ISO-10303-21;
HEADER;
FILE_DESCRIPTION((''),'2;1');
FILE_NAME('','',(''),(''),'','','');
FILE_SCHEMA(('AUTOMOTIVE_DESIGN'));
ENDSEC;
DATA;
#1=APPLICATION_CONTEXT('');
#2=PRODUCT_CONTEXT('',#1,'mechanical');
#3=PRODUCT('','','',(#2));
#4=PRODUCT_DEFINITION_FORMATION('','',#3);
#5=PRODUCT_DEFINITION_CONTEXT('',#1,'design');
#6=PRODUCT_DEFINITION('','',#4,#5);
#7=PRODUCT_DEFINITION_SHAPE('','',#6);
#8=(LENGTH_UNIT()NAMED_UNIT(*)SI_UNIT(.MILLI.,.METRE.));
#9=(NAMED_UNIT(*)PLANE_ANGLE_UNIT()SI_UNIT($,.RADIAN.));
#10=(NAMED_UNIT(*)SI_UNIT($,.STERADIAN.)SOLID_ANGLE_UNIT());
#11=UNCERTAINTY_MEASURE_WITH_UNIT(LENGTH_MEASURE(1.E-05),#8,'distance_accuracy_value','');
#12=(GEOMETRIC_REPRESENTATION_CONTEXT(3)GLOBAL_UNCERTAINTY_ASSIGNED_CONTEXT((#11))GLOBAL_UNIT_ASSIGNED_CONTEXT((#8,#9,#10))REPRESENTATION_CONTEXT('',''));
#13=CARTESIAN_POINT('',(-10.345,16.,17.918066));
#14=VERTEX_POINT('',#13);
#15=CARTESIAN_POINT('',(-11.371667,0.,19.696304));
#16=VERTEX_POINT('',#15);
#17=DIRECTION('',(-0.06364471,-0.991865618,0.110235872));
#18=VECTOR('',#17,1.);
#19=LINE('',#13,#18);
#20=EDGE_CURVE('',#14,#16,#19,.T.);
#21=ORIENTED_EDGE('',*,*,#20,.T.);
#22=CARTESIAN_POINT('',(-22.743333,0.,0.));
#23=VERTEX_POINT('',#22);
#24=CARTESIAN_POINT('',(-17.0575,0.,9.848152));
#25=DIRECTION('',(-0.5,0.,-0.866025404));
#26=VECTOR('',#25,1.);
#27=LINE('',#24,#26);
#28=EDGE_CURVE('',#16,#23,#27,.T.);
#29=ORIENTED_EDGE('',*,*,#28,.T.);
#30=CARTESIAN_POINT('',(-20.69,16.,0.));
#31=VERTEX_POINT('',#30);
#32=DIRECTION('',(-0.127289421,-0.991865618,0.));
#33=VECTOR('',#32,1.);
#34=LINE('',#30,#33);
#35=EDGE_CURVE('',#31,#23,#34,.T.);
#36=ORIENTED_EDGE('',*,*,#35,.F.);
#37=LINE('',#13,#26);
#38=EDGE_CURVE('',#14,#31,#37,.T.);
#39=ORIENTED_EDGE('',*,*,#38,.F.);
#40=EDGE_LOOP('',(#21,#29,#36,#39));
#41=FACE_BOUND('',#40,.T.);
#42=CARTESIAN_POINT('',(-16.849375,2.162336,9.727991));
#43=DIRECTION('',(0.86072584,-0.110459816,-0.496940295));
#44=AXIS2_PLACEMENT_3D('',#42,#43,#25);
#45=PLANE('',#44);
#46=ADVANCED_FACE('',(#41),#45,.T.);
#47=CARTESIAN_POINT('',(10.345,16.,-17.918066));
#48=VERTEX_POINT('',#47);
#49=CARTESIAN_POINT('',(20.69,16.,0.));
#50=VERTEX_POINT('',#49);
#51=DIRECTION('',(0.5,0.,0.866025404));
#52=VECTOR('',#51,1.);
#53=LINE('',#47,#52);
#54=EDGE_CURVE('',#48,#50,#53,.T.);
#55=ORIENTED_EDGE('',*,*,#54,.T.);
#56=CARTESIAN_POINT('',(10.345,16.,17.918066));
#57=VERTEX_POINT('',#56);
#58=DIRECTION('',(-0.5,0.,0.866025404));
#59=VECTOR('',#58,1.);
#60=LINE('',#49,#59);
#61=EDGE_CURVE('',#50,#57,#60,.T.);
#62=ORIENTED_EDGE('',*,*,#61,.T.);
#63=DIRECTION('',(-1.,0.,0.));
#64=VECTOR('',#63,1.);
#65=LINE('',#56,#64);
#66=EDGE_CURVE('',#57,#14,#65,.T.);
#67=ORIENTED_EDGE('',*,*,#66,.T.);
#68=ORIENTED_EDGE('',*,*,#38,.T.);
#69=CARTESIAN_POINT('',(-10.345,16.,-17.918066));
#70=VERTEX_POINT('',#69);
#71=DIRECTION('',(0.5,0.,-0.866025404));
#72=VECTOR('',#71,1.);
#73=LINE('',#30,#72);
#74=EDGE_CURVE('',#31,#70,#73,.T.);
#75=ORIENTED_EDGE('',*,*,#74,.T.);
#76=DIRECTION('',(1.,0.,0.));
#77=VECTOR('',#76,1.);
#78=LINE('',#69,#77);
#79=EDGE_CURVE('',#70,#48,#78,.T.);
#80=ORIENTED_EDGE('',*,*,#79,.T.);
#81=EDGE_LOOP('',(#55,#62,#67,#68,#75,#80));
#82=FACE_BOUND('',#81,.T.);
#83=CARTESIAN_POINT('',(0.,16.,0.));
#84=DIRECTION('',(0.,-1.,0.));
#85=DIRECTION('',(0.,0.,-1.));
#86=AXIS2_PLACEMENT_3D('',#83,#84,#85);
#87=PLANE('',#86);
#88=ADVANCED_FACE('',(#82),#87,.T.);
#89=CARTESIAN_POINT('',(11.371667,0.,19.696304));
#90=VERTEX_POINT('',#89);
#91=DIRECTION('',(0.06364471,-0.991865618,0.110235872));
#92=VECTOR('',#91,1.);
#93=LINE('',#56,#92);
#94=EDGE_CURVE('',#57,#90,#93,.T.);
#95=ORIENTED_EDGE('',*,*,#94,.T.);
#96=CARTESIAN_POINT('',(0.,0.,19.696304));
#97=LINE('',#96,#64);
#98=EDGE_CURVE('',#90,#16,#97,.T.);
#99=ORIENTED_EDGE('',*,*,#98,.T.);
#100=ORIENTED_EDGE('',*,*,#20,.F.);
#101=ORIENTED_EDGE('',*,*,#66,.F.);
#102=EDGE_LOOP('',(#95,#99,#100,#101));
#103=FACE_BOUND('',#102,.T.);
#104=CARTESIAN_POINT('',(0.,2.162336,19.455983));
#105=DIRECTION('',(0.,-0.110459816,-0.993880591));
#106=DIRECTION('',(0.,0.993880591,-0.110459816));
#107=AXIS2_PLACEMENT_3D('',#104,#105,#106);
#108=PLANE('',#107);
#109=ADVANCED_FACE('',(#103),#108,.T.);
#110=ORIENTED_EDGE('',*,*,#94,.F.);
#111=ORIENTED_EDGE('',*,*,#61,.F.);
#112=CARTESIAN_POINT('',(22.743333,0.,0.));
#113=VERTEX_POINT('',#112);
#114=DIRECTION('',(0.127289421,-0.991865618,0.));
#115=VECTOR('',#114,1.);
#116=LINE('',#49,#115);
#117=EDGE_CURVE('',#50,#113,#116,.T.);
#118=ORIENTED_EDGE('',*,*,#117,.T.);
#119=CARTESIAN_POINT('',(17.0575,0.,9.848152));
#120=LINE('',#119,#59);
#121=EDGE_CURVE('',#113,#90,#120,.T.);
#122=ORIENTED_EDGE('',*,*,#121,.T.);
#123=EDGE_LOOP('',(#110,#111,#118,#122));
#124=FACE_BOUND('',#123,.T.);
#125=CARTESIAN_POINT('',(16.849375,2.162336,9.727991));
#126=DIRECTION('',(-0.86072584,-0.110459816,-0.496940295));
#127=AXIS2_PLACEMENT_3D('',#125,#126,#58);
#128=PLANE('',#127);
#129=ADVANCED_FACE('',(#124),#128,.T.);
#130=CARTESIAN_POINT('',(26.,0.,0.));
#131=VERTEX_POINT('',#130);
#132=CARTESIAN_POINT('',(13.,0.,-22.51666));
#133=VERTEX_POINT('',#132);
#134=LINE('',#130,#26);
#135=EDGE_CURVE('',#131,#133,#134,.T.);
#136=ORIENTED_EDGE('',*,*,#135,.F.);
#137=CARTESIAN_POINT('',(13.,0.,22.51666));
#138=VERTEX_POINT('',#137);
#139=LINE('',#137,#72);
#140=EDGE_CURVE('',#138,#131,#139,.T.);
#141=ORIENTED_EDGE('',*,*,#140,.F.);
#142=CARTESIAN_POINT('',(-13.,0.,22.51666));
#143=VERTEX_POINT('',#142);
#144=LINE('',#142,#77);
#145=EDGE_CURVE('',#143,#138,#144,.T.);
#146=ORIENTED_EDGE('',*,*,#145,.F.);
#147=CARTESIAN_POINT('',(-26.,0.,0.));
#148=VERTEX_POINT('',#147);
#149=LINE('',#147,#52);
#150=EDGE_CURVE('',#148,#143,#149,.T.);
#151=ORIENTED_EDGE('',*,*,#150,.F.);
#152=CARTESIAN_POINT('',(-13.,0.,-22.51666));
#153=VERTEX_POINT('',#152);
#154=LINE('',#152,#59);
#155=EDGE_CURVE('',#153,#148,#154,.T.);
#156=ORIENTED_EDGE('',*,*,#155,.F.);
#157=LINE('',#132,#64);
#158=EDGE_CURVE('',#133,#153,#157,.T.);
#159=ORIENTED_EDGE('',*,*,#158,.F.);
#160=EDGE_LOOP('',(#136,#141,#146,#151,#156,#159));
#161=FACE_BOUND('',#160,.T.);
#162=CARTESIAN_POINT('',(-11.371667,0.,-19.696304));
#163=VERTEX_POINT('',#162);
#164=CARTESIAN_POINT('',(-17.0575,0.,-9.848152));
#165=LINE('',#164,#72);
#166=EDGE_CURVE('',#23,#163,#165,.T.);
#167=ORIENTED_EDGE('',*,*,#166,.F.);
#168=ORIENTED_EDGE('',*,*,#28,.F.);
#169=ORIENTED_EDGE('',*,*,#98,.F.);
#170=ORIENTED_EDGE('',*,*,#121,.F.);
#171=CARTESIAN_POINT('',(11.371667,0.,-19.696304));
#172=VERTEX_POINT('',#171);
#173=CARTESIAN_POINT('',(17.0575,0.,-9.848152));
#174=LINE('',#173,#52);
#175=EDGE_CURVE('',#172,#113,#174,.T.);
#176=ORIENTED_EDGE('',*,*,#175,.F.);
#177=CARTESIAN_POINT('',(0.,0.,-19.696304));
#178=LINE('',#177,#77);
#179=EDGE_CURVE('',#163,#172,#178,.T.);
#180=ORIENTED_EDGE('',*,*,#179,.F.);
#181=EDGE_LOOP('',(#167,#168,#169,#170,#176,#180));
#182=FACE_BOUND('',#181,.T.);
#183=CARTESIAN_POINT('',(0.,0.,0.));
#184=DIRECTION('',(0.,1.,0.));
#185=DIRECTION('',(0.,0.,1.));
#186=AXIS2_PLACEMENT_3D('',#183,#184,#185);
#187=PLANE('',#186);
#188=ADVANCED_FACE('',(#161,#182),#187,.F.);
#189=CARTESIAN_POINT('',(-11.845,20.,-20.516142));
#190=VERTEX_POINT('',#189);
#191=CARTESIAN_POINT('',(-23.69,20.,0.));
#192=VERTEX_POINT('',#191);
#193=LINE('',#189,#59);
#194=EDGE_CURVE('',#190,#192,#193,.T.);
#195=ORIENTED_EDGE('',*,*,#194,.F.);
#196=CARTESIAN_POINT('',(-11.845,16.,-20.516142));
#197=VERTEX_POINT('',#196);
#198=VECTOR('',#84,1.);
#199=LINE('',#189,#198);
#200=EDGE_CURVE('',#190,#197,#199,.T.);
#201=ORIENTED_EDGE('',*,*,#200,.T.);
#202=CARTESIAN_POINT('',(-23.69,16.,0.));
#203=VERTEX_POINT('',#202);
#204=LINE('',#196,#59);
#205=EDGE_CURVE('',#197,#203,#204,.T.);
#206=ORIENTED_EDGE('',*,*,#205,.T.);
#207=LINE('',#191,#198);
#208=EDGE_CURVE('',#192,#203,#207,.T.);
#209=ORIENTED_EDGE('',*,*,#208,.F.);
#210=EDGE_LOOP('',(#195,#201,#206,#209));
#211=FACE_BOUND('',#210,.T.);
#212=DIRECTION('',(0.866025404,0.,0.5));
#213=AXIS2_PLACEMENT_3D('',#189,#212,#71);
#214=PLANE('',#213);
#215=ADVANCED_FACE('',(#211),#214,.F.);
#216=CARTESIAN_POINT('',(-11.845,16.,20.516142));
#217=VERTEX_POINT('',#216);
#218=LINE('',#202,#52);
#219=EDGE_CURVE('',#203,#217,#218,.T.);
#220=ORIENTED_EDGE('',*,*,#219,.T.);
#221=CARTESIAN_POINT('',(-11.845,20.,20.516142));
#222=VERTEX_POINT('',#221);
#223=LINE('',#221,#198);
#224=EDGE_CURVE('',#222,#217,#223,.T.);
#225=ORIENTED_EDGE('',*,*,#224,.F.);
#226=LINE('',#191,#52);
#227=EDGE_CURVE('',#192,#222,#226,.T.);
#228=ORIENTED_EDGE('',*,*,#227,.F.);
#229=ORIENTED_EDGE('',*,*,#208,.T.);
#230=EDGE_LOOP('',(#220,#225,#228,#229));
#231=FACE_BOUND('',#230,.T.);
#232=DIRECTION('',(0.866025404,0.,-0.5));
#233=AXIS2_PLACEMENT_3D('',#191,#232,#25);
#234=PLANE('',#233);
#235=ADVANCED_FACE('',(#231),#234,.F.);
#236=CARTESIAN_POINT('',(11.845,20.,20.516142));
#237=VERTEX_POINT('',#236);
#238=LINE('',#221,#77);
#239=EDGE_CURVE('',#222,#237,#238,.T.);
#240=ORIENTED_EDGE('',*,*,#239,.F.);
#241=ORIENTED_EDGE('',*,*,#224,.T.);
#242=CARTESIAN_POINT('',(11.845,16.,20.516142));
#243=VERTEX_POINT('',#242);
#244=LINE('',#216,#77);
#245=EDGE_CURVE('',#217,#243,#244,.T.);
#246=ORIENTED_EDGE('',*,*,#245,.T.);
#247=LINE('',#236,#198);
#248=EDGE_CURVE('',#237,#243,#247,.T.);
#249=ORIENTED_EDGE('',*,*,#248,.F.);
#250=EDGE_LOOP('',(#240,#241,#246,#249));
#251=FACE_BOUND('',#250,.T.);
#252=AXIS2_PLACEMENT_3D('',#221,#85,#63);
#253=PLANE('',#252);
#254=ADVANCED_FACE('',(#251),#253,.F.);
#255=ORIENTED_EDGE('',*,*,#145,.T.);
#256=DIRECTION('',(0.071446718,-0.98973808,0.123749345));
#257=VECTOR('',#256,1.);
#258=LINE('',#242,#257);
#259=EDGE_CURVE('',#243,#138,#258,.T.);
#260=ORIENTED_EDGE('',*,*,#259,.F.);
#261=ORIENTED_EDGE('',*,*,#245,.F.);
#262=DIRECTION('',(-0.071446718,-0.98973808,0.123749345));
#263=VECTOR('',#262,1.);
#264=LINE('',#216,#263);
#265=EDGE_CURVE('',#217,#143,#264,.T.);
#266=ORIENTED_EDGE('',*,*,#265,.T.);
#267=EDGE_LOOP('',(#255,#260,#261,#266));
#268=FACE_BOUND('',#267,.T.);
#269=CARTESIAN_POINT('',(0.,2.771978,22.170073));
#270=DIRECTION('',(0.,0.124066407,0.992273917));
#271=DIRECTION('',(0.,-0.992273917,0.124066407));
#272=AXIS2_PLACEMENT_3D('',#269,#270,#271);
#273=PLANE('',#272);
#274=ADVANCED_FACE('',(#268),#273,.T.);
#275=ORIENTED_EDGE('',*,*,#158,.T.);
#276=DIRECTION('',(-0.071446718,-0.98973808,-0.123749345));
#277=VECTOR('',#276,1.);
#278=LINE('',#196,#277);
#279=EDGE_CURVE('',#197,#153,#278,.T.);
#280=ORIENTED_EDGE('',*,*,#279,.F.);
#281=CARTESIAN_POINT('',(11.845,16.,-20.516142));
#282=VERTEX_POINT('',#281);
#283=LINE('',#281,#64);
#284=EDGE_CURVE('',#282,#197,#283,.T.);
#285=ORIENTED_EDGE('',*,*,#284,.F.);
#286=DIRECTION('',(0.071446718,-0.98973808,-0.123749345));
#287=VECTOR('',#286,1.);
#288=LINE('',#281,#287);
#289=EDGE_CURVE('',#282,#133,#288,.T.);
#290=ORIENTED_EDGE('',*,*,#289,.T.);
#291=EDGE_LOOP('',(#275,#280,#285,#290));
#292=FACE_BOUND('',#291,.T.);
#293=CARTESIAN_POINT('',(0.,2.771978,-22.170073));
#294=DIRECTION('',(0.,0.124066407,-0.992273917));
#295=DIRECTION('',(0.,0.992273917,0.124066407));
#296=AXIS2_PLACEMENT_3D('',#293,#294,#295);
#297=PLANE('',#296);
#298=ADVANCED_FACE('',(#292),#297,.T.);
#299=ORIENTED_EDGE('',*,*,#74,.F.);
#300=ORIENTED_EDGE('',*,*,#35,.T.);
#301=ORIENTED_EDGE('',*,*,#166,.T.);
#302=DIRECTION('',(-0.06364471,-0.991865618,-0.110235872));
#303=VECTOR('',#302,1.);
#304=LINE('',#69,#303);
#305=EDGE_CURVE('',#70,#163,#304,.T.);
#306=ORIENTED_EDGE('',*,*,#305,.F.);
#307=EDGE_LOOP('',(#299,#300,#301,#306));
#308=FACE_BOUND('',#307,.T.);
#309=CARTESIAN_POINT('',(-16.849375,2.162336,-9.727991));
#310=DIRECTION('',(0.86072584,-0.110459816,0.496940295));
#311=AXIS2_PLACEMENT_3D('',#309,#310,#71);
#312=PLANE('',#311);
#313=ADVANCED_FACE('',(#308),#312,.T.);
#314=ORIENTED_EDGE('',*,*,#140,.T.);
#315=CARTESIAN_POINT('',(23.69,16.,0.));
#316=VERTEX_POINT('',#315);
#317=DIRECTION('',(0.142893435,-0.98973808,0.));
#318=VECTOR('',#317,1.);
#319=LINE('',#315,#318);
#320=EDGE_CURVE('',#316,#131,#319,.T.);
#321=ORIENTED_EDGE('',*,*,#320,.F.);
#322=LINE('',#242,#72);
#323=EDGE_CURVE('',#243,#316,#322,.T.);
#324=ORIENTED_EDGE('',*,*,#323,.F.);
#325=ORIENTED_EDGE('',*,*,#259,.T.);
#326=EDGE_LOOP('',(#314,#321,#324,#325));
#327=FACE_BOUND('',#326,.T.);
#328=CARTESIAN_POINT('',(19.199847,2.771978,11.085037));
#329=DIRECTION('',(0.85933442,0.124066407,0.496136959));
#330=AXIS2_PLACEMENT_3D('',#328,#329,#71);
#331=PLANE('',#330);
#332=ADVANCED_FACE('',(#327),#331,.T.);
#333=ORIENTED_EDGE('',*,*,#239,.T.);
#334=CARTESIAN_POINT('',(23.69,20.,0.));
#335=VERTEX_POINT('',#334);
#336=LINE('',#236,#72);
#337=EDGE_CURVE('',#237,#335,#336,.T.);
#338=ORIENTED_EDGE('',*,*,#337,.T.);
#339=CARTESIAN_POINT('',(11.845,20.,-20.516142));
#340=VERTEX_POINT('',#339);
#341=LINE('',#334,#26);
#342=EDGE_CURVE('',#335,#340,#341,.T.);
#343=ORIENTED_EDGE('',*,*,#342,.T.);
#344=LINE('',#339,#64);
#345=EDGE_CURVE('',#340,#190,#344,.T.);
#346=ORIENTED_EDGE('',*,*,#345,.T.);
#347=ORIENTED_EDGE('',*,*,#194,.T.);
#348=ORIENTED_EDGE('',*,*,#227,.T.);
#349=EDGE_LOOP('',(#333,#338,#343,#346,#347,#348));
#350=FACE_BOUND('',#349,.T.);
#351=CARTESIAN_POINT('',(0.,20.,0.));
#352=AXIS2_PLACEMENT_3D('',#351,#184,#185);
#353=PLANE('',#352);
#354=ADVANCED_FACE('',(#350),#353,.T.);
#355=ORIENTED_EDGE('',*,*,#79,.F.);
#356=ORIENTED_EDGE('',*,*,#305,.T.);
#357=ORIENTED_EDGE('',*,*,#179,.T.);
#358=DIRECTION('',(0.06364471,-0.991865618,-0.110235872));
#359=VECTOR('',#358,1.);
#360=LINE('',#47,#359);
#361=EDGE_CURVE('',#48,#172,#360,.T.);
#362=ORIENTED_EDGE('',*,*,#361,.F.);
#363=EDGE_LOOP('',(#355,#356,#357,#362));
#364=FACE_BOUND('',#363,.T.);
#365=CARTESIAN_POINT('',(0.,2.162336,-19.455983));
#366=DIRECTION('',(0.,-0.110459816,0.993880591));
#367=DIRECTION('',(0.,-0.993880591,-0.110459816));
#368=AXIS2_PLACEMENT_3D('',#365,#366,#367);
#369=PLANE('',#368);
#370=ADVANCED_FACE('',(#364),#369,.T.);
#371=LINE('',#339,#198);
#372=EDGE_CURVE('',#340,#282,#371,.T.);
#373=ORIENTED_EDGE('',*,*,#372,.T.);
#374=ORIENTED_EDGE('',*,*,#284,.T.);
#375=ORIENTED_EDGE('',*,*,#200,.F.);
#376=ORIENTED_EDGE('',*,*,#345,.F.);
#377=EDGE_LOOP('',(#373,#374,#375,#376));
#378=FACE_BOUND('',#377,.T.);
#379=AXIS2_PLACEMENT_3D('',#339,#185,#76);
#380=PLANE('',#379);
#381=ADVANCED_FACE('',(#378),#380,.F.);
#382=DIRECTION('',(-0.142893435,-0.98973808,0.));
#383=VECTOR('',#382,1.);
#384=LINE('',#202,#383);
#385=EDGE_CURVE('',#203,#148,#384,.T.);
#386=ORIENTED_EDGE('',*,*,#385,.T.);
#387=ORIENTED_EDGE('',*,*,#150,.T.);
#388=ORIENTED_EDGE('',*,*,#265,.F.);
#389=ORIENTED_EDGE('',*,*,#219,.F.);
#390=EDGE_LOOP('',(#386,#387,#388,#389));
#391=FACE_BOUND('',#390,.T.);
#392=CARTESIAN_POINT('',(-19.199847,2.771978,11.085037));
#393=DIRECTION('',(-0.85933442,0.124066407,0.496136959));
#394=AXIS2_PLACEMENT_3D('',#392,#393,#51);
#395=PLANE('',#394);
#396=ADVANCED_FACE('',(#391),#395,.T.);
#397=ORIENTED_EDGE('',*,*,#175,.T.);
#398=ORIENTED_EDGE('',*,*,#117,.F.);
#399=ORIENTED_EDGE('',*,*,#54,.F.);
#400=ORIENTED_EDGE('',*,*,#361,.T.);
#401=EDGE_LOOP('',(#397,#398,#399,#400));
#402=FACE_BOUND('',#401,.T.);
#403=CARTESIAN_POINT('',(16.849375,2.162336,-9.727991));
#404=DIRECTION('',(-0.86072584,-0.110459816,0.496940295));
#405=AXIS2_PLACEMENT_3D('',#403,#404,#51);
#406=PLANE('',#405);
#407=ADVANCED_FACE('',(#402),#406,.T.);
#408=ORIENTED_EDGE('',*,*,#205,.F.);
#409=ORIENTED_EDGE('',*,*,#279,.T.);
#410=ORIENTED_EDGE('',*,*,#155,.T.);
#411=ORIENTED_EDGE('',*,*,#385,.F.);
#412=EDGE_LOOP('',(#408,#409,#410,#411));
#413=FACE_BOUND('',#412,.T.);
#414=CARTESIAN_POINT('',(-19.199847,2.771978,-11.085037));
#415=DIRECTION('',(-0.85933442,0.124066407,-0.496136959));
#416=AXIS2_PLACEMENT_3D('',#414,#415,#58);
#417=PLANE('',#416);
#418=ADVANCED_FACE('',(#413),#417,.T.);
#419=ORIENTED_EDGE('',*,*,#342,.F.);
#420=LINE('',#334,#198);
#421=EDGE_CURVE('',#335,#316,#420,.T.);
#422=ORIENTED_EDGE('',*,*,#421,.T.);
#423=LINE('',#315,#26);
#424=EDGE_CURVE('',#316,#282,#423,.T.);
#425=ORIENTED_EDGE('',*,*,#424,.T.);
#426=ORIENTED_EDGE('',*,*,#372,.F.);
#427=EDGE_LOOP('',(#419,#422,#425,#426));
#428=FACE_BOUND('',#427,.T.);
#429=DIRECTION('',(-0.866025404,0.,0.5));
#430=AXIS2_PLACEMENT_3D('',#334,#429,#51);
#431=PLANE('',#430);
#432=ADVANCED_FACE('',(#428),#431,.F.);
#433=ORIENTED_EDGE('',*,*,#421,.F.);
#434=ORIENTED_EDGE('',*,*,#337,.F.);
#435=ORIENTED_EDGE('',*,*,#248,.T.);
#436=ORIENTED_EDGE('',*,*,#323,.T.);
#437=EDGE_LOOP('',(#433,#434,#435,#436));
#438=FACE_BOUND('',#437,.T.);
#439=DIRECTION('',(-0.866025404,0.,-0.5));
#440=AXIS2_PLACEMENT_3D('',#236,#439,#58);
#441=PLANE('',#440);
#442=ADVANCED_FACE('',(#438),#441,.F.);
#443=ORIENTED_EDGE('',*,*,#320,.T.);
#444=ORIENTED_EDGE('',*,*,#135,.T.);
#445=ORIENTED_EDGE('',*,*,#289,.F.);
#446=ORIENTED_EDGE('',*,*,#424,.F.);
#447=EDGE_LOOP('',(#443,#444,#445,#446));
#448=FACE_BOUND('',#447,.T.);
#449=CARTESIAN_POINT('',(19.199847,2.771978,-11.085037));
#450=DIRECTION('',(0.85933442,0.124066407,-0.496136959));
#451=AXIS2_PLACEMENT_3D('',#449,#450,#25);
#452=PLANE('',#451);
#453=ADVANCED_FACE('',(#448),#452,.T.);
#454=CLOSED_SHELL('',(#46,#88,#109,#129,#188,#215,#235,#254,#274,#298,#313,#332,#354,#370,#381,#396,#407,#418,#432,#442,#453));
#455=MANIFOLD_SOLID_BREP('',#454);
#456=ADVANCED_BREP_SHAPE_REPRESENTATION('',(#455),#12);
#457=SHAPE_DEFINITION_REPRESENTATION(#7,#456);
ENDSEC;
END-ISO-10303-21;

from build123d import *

# Parameters (mm, degrees)
BOSS_EXTRUDE1_DEPTH = 4


with BuildPart() as part:
    # Sketch2 → Loft1 section 0
    with BuildSketch(Plane(origin=(0, 16, 0), x_dir=(1, 0, 0), z_dir=(0, 1, 0))):
        with BuildLine():
            Line((23.69, 0), (11.845, 20.516141816))
            Line((11.845, 20.516141816), (-11.845, 20.516141816))
            Line((-11.845, 20.516141816), (-23.69, 0))
            Line((-23.69, 0), (-11.845, -20.516141816))
            Line((-11.845, -20.516141816), (11.845, -20.516141816))
            Line((11.845, -20.516141816), (23.69, 0))
        make_face()
    # Sketch1 → Loft1 section 1
    with BuildSketch(Plane(origin=(0, 0, 0), x_dir=(1, 0, 0), z_dir=(0, 1, 0))):
        with BuildLine():
            Line((26, 0), (13, 22.516660498))
            Line((13, 22.516660498), (-13, 22.516660498))
            Line((-13, 22.516660498), (-26, 0))
            Line((-26, 0), (-13, -22.516660498))
            Line((-13, -22.516660498), (13, -22.516660498))
            Line((13, -22.516660498), (26, 0))
        make_face()
    loft()

    # Sketch3 → Boss-Extrude1 (add)
    with BuildSketch(Plane(origin=(0, 16, 0), x_dir=(1, 0, 0), z_dir=(0, 1, 0))):
        Polygon((23.69, 0), (11.845, 20.516141816), (-11.845, 20.516141816), (-23.69, 0), (-11.845, -20.516141816), (11.845, -20.516141816), align=None)
    extrude(amount=BOSS_EXTRUDE1_DEPTH)

    # Sketch5 → Cut-Loft1 section 0
    with BuildSketch(Plane(origin=(0, 16, 0), x_dir=(-1, 0, 0), z_dir=(0, -1, 0))):
        with BuildLine():
            Line((20.69, 0), (10.345, 17.918065604))
            Line((10.345, 17.918065604), (-10.345, 17.918065604))
            Line((-10.345, 17.918065604), (-20.69, 0))
            Line((-20.69, 0), (-10.345, -17.918065604))
            Line((-10.345, -17.918065604), (10.345, -17.918065604))
            Line((10.345, -17.918065604), (20.69, 0))
        make_face()
    # Sketch4 → Cut-Loft1 section 1
    with BuildSketch(Plane(origin=(0, -2, 0), x_dir=(-1, 0, 0), z_dir=(0, -1, 0))):
        with BuildLine():
            Line((23, 0), (11.5, 19.918584287))
            Line((11.5, 19.918584287), (-11.5, 19.918584287))
            Line((-11.5, 19.918584287), (-23, 0))
            Line((-23, 0), (-11.5, -19.918584287))
            Line((-11.5, -19.918584287), (11.5, -19.918584287))
            Line((11.5, -19.918584287), (23, 0))
        make_face()
    loft(mode=Mode.SUBTRACT)


solid = part.part
